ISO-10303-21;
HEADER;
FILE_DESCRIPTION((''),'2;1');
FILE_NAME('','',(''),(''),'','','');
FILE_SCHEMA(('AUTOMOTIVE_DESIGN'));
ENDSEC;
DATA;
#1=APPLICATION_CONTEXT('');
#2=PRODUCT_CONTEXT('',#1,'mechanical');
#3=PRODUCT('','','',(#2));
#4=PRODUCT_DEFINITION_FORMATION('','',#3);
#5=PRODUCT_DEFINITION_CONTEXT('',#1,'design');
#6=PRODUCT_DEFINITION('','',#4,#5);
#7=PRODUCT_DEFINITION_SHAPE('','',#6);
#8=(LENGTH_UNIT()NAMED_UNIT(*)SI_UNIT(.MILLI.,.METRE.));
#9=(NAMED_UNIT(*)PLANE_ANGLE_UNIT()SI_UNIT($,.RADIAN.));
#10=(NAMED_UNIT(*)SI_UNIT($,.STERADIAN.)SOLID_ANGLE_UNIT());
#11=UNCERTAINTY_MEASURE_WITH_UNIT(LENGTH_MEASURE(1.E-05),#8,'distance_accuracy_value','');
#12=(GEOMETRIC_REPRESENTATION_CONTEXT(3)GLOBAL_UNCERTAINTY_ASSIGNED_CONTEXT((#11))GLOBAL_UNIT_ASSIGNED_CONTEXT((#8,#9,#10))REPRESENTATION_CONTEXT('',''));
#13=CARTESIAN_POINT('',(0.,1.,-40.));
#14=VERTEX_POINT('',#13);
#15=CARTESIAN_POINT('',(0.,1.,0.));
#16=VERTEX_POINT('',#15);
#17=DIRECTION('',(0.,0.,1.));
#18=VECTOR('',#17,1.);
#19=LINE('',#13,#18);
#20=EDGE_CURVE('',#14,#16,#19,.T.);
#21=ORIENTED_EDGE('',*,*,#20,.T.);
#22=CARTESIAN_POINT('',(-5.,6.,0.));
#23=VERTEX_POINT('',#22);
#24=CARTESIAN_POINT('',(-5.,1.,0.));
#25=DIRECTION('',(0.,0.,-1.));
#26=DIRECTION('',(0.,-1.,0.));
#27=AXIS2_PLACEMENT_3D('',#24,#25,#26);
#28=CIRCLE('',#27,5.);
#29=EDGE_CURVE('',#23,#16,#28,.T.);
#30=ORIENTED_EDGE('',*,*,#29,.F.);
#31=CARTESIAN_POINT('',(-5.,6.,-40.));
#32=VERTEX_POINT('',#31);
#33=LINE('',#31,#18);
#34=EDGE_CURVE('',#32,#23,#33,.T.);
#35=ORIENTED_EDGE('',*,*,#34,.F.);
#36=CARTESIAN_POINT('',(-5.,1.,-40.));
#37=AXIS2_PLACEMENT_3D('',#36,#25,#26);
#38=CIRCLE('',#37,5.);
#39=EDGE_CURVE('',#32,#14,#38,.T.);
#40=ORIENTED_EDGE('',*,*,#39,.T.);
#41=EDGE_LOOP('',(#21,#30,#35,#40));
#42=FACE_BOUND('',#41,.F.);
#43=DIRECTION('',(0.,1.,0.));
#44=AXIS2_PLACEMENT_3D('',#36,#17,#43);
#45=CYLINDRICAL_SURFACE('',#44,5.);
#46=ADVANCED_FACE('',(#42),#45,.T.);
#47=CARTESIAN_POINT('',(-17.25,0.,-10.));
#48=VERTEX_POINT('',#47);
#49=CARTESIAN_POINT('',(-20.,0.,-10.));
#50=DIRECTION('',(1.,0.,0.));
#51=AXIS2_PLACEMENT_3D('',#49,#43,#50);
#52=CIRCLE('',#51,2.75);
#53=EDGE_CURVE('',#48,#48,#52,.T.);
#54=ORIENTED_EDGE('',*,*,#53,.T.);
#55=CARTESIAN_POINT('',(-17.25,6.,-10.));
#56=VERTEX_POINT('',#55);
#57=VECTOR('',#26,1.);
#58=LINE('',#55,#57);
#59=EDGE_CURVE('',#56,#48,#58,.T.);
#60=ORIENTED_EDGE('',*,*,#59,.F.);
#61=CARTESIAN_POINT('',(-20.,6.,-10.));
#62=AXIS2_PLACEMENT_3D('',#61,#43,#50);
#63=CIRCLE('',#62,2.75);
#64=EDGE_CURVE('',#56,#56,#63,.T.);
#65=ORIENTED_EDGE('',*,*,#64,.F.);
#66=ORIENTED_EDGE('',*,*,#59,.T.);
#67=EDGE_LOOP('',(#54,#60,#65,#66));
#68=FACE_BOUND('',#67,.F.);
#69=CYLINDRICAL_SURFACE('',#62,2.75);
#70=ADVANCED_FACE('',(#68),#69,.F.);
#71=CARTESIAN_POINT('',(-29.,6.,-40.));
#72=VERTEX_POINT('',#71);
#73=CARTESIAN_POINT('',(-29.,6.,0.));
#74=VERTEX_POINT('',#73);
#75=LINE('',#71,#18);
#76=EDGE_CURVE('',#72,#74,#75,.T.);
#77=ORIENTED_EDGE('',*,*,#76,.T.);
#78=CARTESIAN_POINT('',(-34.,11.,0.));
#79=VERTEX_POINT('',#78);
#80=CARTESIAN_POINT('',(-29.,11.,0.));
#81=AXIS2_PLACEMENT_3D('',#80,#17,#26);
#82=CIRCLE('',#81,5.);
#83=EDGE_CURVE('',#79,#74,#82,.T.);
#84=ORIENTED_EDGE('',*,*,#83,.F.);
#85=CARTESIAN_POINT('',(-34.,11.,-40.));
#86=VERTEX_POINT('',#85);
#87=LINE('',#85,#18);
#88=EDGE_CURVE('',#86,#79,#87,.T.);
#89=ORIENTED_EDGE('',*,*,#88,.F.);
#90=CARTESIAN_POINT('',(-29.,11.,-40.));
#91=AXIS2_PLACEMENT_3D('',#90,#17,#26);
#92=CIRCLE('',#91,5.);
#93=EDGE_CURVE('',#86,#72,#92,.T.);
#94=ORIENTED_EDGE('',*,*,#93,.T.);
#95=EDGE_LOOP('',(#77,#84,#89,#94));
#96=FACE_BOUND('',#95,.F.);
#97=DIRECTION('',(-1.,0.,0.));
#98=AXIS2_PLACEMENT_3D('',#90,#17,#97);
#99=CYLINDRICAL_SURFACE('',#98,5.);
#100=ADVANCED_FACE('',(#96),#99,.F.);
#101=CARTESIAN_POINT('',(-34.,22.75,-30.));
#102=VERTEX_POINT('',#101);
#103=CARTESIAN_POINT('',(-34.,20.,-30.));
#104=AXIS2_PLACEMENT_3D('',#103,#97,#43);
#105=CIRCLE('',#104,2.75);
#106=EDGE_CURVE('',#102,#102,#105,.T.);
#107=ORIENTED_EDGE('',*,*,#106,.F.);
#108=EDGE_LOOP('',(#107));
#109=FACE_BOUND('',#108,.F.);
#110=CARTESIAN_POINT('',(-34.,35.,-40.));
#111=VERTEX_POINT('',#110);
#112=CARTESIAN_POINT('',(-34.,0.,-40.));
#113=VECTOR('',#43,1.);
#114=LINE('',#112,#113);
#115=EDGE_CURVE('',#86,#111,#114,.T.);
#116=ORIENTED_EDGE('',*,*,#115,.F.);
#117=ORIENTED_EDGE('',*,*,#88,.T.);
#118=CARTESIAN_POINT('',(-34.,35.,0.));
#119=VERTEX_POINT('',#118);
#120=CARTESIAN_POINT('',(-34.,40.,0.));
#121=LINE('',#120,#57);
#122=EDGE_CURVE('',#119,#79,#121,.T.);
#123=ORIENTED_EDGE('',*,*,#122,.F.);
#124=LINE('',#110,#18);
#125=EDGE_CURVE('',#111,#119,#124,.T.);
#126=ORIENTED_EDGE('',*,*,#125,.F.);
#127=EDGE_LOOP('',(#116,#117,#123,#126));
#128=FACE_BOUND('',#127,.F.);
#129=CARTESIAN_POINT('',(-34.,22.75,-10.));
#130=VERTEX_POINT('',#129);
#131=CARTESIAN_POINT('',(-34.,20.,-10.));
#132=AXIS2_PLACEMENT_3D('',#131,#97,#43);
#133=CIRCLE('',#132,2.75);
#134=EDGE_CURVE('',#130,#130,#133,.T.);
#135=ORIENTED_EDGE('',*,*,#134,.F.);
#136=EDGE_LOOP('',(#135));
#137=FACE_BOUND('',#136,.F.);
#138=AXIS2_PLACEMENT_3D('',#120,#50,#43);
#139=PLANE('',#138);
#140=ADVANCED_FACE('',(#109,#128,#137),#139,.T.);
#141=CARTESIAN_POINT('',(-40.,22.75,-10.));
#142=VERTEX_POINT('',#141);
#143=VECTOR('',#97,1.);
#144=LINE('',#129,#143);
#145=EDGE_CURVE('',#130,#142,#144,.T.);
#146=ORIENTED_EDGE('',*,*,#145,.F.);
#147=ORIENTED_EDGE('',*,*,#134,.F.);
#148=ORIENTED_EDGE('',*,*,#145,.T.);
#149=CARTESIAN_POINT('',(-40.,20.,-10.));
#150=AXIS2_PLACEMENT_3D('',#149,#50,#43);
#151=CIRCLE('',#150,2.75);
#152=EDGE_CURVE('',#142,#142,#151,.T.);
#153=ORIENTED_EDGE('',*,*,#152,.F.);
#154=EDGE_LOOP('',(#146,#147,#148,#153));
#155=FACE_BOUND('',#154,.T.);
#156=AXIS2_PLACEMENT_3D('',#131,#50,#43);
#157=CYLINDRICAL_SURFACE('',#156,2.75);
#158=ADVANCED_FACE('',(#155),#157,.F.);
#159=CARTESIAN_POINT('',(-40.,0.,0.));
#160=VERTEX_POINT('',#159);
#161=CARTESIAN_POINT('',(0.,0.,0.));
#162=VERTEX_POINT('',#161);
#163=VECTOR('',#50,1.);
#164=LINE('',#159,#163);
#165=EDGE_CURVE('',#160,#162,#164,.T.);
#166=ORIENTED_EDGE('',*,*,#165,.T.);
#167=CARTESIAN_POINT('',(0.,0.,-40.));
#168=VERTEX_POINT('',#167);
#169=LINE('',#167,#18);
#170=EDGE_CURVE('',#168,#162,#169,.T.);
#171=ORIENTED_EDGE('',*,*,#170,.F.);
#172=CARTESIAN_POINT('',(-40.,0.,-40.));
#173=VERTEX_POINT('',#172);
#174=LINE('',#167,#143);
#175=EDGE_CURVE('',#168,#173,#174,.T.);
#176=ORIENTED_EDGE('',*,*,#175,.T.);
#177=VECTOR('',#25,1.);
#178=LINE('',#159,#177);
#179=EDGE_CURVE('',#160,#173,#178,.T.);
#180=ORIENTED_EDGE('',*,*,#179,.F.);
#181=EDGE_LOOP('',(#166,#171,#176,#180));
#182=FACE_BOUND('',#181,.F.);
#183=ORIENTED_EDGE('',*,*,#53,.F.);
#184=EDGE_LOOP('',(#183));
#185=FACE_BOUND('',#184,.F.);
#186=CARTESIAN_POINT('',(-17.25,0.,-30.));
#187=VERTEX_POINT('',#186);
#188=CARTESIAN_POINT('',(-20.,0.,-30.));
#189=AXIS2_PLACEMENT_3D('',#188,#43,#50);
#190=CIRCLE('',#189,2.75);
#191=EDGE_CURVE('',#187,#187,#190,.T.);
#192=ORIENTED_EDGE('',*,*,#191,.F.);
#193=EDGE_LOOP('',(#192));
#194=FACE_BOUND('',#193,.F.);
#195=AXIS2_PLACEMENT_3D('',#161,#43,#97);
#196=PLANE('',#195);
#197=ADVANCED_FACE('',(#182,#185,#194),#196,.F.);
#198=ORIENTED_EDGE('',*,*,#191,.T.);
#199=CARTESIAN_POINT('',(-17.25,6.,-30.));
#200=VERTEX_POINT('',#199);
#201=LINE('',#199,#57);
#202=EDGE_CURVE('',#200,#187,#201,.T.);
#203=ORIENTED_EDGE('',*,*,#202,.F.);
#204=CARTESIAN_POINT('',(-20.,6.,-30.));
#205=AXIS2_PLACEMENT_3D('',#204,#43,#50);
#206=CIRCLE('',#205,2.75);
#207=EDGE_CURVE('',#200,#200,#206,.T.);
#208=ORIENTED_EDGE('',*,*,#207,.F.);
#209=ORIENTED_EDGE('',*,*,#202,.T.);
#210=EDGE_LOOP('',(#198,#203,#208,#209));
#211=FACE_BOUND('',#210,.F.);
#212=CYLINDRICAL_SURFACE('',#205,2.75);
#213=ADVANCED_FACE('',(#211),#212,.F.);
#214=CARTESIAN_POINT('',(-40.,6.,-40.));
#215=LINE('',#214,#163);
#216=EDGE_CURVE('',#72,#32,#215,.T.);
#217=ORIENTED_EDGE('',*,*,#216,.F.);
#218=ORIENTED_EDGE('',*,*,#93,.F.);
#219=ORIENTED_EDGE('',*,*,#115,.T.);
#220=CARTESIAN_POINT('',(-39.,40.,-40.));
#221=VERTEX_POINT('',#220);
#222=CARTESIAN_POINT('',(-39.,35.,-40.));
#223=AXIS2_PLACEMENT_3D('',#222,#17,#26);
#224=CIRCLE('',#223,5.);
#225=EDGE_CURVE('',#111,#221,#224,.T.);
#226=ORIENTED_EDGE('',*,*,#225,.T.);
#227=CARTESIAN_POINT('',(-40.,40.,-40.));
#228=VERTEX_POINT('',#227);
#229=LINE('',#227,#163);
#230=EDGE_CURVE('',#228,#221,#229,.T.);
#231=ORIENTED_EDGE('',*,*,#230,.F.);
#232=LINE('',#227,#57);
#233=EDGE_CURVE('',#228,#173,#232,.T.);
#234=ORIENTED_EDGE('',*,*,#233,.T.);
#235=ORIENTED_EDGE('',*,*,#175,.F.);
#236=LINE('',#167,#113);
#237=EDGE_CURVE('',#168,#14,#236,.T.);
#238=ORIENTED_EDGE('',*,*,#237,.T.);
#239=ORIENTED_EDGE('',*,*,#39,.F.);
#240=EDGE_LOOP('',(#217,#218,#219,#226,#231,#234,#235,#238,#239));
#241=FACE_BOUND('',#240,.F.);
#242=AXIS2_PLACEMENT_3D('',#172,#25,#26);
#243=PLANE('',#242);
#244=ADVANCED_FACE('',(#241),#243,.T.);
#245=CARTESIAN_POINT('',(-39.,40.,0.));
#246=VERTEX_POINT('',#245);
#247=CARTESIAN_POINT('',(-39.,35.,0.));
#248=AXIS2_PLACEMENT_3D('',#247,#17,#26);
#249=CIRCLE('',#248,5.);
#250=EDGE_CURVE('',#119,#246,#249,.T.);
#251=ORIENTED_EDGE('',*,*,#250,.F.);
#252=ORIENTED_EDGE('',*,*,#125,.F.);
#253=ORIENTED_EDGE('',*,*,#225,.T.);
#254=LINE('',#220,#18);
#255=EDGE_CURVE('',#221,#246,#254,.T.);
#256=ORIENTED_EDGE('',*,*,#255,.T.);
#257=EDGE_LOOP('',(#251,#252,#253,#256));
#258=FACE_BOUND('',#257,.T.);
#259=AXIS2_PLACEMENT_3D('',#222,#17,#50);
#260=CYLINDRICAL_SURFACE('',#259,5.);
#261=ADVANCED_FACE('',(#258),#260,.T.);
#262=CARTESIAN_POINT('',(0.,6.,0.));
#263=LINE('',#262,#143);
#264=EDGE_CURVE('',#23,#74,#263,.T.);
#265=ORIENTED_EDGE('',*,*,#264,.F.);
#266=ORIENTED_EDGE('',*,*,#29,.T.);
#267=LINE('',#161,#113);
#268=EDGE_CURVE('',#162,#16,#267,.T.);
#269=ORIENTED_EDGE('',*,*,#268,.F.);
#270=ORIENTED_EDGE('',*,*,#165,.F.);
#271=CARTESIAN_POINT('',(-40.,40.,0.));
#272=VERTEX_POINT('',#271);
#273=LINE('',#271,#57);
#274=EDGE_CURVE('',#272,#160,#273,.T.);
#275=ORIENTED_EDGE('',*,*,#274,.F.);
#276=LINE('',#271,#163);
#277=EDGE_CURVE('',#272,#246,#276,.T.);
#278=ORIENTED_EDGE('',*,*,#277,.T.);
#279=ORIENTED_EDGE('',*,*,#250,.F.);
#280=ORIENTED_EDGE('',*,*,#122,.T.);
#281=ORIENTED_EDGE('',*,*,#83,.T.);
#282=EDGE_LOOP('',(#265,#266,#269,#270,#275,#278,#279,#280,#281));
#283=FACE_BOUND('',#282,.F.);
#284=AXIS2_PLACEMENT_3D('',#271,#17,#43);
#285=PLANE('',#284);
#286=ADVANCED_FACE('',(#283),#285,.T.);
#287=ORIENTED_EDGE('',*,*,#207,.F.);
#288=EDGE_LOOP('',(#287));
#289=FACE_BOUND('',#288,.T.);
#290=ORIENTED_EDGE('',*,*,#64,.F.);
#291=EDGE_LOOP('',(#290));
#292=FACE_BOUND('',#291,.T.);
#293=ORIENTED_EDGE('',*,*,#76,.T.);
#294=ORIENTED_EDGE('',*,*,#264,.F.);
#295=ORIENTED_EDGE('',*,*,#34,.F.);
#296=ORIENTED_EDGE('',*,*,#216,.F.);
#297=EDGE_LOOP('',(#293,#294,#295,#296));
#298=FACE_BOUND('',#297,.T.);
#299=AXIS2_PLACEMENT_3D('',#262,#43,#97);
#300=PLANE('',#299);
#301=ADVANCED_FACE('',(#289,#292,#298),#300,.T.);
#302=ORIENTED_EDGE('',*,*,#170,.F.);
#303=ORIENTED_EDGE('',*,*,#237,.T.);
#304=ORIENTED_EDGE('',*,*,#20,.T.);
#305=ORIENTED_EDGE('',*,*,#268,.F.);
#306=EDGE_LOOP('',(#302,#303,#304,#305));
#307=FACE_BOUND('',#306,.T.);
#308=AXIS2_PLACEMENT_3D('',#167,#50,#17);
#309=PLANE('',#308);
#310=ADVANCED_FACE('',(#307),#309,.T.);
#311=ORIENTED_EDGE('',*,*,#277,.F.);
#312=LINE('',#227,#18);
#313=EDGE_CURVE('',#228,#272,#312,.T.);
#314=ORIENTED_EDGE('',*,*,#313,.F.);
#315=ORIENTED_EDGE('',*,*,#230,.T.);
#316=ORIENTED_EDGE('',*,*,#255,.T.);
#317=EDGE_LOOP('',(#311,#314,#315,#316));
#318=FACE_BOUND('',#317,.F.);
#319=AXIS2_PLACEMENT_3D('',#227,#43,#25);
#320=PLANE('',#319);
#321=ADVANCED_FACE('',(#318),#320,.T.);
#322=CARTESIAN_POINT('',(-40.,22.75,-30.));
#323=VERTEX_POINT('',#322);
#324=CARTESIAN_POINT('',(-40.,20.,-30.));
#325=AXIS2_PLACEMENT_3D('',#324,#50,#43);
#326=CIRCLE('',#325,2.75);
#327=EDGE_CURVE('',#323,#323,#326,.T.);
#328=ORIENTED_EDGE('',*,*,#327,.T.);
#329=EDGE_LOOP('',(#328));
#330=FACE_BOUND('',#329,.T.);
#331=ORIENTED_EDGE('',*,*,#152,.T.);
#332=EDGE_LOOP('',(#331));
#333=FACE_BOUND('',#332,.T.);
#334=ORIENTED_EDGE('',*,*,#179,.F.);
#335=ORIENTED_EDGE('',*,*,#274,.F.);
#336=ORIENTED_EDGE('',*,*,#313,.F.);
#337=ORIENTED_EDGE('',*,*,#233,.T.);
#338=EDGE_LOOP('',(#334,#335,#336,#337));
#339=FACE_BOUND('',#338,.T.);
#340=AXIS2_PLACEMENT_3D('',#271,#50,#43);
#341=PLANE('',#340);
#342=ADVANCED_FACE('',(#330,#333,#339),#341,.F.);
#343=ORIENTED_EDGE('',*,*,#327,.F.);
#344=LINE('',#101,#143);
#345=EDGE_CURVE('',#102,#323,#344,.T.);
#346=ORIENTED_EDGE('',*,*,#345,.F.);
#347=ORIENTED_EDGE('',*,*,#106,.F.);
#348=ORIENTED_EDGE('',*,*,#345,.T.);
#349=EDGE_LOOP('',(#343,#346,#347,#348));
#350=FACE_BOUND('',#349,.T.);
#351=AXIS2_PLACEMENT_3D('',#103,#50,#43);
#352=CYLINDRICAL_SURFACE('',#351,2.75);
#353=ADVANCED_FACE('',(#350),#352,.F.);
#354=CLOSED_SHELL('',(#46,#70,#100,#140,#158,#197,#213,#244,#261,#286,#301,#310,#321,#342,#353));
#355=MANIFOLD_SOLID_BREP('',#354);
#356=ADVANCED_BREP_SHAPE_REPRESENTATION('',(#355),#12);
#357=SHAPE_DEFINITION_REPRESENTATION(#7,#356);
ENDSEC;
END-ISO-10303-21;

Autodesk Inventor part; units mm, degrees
ref_plane "YZ Plane" through (0, 0, 0) normal (1, 0, 0) x (0, 1, 0)
ref_plane "XZ Plane" through (0, 0, 0) normal (0, 1, 0) x (-1, 0, 0)
sketch "Sketch1" plane through (0, 0, 0) normal (0, 1, 0) x (-1, 0, 0)
  line L0 (0, 0) -> (40, 0)
  line L1 (40, 0) -> (40, -40)
  line L2 (40, -40) -> (0, -40)
  line L3 (0, -40) -> (0, 0)
  dimension "d0" = 40
  dimension "d1" = 40
extrude "Extrusion1" add sketch "Sketch1" along normal blind 6
fillet "Fillet1" radius 5 1 edges at (-40, 0, -20)
fillet "Fillet2" radius 5 1 edges at (0, 6, -20)
sketch "Sketch2" plane through (0, 6, 0) normal (0, 1, 0) x (1, 0, 0)
  line L0 (-5, 40) -> (-5, 0) projected
  line L1 (-35, 40) -> (-35, 0) projected
  circle A0 centre (-20, 10) radius 2.75
  line L2 (-40, 0) -> (-5, 0) projected
  circle A1 centre (-20, 30) radius 2.75
  point P0 (0, 0)
  dimension "d6" = 5.5
  dimension "d7" = 30
  dimension "d8" = 40
  dimension "d9" = 10
  dimension "d10" = 15
  dimension "d22" = 20
ref_plane "Work Plane1" through (-40, 0, 0) normal (0.7071, -0.7071, 0) x (0, 0, 1)
mirror "Mirror1" about plane through (-40, 0, 0) normal (0.7071, -0.7071, 0) of "Extrusion1", "Fillet2"
fillet "Fillet3" radius 5 1 edges at (-34, 6, -20)
extrude "Extrusion4" cut sketch "Sketch2" against normal blind 10
mirror "Mirror2" about plane through (-40, 0, 0) normal (0.7071, -0.7071, 0) of "Extrusion4"
equation "\"d9\" = 0.25 * d8"
equation "\"d10\" = 0.5 * d7"
properties part number "L_Fixer2" material "Steel, Carbon"
